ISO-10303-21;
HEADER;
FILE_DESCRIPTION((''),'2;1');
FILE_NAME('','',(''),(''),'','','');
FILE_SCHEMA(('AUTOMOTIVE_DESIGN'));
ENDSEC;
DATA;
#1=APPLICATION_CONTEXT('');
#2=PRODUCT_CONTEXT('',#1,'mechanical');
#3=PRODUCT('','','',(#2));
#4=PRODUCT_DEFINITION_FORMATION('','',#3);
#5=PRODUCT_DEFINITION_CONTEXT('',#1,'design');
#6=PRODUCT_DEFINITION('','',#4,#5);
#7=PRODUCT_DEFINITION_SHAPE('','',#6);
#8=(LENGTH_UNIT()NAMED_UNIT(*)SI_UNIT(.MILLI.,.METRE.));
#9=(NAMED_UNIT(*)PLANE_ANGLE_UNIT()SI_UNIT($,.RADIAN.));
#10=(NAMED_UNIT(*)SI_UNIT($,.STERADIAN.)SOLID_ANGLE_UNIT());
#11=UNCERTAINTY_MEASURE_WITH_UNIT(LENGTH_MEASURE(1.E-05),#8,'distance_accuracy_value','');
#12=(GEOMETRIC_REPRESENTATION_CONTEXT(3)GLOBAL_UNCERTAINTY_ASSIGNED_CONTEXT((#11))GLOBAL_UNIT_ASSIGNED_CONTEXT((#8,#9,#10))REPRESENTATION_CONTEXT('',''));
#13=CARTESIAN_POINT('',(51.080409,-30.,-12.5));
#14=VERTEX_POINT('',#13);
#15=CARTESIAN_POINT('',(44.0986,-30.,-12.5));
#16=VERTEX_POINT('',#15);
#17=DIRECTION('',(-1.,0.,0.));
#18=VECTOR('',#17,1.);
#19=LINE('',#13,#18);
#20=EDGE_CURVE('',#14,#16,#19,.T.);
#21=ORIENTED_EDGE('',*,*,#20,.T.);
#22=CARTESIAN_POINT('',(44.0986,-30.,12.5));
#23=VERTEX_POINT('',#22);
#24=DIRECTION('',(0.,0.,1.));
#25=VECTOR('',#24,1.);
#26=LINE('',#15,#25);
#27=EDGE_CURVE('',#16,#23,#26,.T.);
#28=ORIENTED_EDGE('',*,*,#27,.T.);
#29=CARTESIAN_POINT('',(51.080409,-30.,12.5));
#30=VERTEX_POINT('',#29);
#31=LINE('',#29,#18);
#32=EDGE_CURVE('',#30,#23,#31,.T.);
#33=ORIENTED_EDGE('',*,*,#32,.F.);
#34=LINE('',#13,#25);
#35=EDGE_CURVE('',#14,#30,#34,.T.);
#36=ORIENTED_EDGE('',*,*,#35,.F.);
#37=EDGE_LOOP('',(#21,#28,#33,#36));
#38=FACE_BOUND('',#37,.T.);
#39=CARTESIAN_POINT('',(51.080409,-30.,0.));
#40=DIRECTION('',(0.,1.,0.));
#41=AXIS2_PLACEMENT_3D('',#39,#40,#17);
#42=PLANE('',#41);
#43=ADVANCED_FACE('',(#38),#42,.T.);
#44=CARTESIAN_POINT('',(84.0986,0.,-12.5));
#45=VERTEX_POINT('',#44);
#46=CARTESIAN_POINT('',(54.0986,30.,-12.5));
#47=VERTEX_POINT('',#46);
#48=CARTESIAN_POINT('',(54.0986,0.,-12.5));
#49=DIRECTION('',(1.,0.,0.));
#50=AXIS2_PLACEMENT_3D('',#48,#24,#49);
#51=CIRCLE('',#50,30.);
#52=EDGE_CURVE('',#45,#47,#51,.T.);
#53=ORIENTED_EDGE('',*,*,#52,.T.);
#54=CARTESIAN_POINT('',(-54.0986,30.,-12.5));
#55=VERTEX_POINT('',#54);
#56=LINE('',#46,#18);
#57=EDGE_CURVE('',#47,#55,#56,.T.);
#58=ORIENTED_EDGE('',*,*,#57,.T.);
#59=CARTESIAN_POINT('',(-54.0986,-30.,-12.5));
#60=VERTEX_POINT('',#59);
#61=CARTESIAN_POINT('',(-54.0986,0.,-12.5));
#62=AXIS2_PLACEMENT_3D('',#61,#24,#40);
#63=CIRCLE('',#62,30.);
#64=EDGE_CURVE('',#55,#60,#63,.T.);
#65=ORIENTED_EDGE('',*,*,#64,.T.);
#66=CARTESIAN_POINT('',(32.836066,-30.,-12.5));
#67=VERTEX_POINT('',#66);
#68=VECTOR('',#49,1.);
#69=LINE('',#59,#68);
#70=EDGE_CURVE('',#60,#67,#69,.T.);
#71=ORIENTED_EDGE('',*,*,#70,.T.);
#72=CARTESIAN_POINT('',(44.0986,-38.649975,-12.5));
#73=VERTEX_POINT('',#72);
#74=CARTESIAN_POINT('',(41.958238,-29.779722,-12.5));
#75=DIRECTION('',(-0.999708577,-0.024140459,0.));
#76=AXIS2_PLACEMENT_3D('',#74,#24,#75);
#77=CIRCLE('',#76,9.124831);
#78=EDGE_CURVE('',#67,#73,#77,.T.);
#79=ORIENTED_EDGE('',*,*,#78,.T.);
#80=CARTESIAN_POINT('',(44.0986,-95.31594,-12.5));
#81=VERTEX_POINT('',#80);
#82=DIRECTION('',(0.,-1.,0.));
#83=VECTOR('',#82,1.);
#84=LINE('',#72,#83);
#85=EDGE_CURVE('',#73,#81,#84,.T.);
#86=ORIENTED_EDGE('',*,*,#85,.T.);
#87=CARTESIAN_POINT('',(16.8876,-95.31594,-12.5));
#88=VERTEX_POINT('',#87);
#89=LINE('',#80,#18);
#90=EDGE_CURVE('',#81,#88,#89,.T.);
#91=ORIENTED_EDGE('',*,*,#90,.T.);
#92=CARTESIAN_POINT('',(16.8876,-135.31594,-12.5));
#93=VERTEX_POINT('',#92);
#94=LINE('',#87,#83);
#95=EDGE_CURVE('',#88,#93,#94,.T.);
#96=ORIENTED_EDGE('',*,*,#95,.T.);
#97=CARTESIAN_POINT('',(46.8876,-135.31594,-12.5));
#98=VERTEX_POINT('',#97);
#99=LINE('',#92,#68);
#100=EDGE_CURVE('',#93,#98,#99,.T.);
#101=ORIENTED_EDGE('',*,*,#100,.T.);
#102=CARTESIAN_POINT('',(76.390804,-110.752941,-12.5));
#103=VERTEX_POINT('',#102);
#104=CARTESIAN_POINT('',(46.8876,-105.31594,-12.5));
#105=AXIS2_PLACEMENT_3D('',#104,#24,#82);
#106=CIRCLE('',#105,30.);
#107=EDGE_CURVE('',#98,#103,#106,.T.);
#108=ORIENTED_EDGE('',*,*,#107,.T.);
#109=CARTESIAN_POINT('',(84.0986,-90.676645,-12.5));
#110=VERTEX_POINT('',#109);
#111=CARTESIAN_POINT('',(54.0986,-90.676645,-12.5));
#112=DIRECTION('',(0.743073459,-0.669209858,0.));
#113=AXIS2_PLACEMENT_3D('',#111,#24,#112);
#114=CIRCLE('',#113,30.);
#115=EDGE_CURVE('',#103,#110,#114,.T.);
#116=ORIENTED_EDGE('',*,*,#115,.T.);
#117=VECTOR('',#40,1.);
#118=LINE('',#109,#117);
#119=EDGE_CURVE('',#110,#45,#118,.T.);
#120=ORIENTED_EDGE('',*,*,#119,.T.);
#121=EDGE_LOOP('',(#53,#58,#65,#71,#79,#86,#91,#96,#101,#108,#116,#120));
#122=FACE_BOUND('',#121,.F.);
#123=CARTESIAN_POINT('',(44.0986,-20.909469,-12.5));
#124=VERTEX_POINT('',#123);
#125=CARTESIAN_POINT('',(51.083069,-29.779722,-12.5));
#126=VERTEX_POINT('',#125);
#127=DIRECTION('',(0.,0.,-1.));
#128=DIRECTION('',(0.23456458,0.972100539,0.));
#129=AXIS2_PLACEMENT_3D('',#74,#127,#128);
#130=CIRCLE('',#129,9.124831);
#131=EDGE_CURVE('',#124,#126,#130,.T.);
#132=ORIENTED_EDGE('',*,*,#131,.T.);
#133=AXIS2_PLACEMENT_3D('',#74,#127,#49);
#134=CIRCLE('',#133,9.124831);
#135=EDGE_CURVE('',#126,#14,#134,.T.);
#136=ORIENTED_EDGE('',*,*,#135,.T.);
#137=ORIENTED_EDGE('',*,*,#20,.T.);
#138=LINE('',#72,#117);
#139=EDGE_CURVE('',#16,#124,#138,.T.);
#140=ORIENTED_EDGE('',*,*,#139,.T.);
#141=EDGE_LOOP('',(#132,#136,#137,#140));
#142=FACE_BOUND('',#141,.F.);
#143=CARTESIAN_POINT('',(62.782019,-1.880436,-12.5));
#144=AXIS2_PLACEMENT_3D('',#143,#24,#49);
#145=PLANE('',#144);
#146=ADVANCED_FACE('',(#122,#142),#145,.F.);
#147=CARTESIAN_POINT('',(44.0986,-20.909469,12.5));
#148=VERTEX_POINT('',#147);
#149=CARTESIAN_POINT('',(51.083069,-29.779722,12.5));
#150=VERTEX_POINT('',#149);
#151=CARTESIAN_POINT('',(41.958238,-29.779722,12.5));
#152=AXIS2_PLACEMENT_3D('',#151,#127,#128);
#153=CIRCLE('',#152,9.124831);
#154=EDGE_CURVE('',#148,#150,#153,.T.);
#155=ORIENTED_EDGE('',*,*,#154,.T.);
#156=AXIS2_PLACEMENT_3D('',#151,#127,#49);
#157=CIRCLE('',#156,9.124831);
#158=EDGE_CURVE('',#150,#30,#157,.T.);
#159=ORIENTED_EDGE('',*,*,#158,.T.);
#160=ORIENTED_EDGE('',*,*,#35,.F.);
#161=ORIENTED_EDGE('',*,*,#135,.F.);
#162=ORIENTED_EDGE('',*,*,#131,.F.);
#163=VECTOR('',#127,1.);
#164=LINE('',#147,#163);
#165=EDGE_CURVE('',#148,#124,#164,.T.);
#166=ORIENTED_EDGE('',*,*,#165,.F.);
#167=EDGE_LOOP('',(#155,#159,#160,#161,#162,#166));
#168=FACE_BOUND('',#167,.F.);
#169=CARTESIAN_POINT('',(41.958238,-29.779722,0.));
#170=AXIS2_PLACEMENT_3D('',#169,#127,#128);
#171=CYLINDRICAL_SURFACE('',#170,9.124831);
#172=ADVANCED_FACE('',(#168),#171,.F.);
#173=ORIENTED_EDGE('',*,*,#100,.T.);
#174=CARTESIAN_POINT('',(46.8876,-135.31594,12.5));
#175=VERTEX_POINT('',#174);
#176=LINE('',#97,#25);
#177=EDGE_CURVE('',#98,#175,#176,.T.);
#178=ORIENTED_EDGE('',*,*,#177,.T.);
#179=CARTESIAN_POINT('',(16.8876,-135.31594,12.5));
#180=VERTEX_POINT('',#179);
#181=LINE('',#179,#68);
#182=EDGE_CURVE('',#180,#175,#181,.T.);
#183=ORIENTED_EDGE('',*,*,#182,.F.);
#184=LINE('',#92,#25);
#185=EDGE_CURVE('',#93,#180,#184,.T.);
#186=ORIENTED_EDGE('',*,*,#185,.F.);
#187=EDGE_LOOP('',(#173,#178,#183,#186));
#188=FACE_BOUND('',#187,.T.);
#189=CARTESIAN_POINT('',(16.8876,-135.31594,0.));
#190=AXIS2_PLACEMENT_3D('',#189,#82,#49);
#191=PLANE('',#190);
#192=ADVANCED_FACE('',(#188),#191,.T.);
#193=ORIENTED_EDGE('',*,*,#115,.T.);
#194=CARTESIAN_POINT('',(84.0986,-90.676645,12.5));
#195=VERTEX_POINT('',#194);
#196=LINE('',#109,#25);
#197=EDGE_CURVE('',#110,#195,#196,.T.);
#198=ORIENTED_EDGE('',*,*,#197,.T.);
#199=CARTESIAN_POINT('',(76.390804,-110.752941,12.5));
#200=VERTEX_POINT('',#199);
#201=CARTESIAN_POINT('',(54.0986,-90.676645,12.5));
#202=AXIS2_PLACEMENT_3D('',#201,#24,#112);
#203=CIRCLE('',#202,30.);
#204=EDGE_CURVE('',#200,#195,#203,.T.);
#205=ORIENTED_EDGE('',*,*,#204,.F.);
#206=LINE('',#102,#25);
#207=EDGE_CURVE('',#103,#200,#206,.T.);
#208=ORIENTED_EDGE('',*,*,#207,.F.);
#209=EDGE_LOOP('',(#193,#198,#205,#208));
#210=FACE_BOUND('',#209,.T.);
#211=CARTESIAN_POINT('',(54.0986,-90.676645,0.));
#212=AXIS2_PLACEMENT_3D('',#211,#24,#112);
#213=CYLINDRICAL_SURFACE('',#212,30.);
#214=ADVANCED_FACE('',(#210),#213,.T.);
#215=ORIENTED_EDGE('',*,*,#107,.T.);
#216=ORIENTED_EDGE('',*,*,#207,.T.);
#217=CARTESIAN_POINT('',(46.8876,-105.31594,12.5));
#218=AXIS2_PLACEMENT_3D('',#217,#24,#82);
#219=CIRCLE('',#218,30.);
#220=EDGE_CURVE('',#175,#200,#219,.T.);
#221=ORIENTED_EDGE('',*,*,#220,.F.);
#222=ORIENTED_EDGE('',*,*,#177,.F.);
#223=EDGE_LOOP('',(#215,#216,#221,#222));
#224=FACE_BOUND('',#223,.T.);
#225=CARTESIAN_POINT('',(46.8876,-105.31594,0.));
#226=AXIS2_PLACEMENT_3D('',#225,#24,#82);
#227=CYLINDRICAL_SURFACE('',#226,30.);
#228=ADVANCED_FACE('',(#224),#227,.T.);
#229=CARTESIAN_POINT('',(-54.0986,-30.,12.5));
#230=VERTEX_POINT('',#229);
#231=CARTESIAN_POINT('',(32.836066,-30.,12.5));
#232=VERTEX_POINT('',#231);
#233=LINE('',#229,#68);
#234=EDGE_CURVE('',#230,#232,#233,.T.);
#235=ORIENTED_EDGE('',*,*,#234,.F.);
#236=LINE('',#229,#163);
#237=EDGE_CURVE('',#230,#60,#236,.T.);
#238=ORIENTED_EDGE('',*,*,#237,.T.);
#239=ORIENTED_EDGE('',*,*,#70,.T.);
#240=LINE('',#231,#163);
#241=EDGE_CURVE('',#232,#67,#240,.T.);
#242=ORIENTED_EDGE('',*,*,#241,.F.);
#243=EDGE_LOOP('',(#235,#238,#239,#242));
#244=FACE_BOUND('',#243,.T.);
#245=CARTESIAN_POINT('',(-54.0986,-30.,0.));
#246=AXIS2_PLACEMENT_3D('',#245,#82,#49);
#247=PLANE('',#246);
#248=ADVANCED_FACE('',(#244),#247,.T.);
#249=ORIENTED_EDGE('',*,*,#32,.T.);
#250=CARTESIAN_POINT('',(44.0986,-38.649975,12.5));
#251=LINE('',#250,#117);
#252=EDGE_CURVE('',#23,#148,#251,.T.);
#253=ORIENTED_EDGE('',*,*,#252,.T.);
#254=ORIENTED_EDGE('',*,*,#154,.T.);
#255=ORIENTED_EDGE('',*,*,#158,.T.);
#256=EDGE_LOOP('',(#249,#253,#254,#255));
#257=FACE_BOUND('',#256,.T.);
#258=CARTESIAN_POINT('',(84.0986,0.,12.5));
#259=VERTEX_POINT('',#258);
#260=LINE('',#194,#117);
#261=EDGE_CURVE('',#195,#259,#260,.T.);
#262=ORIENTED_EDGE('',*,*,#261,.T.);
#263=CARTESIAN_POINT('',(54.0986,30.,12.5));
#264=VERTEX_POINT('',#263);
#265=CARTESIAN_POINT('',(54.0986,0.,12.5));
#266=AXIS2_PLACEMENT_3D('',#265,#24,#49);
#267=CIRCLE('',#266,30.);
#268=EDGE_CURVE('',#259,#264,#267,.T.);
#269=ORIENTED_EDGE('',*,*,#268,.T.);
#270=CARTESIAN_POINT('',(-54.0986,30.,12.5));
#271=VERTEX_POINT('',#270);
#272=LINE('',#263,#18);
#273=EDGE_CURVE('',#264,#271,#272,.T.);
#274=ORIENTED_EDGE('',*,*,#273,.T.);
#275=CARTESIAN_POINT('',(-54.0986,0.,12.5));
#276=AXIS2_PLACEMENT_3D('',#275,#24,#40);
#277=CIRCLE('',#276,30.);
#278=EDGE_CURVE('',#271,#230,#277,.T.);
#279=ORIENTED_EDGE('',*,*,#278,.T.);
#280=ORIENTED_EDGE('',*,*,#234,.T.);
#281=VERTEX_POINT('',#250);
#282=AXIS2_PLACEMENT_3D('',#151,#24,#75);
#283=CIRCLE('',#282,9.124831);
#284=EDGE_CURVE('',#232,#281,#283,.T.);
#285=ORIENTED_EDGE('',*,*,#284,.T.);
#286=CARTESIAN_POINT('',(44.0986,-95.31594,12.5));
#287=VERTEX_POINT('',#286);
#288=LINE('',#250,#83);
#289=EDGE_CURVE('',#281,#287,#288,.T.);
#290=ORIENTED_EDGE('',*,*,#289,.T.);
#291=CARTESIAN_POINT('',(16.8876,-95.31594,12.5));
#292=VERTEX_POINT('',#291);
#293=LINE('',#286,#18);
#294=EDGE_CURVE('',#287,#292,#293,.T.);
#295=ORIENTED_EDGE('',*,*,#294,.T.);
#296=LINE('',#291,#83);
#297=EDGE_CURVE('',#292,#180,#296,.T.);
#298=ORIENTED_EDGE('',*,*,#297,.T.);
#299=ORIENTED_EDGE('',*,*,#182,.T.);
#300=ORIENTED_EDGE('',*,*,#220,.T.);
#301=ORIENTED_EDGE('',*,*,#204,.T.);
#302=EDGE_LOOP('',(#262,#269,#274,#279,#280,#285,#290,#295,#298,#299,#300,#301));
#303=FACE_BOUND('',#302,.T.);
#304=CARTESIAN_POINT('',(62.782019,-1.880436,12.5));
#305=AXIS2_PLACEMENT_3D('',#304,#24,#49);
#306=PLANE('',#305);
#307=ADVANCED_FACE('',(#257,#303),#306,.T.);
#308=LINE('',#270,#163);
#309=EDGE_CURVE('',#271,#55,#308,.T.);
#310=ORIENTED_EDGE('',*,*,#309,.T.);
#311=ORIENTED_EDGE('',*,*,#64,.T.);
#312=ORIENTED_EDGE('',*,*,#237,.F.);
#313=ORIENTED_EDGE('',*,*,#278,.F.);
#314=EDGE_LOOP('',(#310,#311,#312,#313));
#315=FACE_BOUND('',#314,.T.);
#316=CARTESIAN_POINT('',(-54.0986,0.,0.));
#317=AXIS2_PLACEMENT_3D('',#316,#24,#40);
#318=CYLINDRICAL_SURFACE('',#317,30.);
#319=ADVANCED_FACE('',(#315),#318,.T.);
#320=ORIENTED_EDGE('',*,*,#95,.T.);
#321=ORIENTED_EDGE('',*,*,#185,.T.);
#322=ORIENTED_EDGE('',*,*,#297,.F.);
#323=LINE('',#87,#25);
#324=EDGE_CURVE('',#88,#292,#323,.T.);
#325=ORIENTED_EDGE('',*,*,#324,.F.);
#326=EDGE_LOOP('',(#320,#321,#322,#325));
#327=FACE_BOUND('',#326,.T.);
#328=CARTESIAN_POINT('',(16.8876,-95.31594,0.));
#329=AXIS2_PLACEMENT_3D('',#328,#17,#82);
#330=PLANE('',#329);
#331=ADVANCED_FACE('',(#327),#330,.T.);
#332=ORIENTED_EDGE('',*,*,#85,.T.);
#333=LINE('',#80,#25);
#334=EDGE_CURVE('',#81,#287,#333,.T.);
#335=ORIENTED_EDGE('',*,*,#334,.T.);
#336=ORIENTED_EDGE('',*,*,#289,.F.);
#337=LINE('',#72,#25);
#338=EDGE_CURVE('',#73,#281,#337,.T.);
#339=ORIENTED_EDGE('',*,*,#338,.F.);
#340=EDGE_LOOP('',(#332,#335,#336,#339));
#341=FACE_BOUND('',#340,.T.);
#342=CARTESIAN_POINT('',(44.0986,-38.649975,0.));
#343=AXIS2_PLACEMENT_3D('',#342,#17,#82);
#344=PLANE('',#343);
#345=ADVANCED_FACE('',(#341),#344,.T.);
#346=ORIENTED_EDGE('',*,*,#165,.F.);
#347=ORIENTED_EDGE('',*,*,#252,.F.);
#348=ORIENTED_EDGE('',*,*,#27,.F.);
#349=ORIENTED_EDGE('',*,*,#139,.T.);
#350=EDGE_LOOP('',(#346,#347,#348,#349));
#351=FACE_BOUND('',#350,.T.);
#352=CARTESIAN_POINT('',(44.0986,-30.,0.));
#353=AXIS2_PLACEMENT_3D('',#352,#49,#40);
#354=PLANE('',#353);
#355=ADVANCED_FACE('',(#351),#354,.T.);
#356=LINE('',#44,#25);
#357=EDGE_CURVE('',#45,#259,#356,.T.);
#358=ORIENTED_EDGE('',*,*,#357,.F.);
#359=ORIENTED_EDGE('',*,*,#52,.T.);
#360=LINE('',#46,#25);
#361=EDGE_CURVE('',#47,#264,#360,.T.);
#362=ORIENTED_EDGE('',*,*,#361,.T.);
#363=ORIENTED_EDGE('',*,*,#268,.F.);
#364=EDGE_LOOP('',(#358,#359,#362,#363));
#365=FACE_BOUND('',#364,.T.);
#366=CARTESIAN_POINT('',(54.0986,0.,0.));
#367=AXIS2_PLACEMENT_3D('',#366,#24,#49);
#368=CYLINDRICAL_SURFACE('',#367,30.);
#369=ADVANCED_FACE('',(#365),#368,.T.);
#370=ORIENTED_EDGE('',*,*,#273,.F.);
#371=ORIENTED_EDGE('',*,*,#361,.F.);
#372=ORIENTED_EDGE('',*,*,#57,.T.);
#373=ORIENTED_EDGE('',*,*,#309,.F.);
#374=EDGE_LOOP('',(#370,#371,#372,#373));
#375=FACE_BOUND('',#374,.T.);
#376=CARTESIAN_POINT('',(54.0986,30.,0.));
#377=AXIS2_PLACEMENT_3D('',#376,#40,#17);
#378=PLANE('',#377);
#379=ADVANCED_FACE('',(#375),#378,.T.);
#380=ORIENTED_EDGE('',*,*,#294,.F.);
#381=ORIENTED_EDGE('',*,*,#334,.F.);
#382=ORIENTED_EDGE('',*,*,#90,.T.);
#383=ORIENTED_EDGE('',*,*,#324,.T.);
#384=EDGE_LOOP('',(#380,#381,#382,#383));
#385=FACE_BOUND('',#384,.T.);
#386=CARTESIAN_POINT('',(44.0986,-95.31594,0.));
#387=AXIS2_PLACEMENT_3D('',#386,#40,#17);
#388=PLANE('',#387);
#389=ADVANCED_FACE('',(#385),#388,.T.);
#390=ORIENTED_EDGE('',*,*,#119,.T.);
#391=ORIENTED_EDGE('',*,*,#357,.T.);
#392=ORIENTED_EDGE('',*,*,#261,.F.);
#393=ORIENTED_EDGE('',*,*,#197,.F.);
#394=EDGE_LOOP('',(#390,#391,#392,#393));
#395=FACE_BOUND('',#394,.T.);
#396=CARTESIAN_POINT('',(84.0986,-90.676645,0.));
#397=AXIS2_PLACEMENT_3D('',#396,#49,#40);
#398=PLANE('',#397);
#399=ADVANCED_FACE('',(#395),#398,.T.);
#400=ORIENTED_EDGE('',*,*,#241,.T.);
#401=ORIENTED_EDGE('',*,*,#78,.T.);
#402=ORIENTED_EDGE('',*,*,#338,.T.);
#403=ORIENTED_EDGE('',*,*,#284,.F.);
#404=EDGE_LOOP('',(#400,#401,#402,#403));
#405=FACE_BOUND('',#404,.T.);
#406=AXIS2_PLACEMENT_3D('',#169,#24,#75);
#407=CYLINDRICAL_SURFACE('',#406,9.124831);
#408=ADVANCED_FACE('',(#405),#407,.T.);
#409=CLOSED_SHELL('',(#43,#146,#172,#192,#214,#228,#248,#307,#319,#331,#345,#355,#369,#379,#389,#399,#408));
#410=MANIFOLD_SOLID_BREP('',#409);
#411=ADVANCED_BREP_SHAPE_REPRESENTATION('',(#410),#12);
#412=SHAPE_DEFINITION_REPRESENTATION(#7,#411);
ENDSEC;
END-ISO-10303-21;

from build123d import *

# Parameters (mm, degrees)
F1_DEPTH = 12.5


with BuildPart() as f1:
    # F0 (on Top) → F1 (new body, symmetric)
    with BuildSketch(Plane.XY):
        with BuildLine():
            ThreePointArc((84.0985998511, 0), (75.3118032867, 21.2132034356), (54.0985998511, 30))
            Line((54.0985998511, 30), (44.0985998511, 30))
            Line((44.0985998511, 30), (44.0985998511, -20.9094693613))
            ThreePointArc((44.0985998511, -20.9094693613), (49.1273723115, -24.1347203376), (51.0830686261, -29.7797223964))
            ThreePointArc((51.0830686261, -29.7797223964), (51.0824038047, -29.8898692234), (51.0804094374, -30))
            Line((51.0804094374, -30), (84.0985998511, -30))
            Line((84.0985998511, -30), (84.0985998511, 0))
        make_face()
        with BuildLine():
            Line((44.0985998511, -20.9094693613), (44.0985998511, 30))
            Line((44.0985998511, 30), (-54.0985998511, 30))
            ThreePointArc((-54.0985998511, 30), (-75.3118032867, 21.2132034356), (-84.0985998511, 0))
            ThreePointArc((-84.0985998511, 0), (-75.3118032867, -21.2132034356), (-54.0985998511, -30))
            Line((-54.0985998511, -30), (32.8360660177, -30))
            ThreePointArc((32.8360660177, -30), (36.2271075512, -22.679251579), (44.0985998511, -20.9094693613))
        make_face()
        with BuildLine():
            Line((44.0985998511, -30), (44.0985998511, -20.9094693613))
            ThreePointArc((44.0985998511, -20.9094693613), (36.2271075512, -22.679251579), (32.8360660177, -30))
            Line((32.8360660177, -30), (44.0985998511, -30))
        make_face()
        with BuildLine():
            Line((84.0985998511, -90.6766453385), (84.0985998511, -30))
            Line((84.0985998511, -30), (51.0804094374, -30))
            ThreePointArc((51.0804094374, -30), (49.058708545, -35.5108525728), (44.0985998511, -38.6499754316))
            Line((44.0985998511, -38.6499754316), (44.0985998511, -95.3159397841))
            Line((44.0985998511, -95.3159397841), (76.8876001239, -95.3159397841))
            Line((76.8876001239, -95.3159397841), (76.8876001239, -105.315939784))
            ThreePointArc((76.8876001239, -105.315939784), (76.763142839, -108.0457653235), (76.3908036255, -110.7529410846))
            ThreePointArc((76.3908036255, -110.7529410846), (82.1054393125, -101.4291772908), (84.0985998511, -90.6766453385))
        make_face()
        with BuildLine():
            Line((44.0985998511, -38.6499754316), (44.0985998511, -30))
            Line((44.0985998511, -30), (32.8360660177, -30))
            ThreePointArc((32.8360660177, -30), (36.4001863589, -37.0164760824), (44.0985998511, -38.6499754316))
        make_face()
        with BuildLine():
            Line((51.0804094374, -30), (44.0985998511, -30))
            Line((44.0985998511, -30), (44.0985998511, -38.6499754316))
            ThreePointArc((44.0985998511, -38.6499754316), (49.058708545, -35.5108525728), (51.0804094374, -30))
        make_face()
        with BuildLine():
            ThreePointArc((46.8876001239, -135.315939784), (66.082520819, -128.3714167799), (76.3908036255, -110.7529410846))
            ThreePointArc((76.3908036255, -110.7529410846), (66.2992376955, -118.0836596996), (54.0985998511, -120.6766453385))
            Line((54.0985998511, -120.6766453385), (44.0985998511, -120.6766453385))
            Line((44.0985998511, -120.6766453385), (44.0985998511, -95.3159397841))
            Line((44.0985998511, -95.3159397841), (16.8876001239, -95.3159397841))
            Line((16.8876001239, -95.315939784), (16.8876001239, -135.315939784))
            Line((16.8876001239, -135.315939784), (46.8876001239, -135.315939784))
        make_face()
        with BuildLine():
            ThreePointArc((54.0985998511, -120.6766453385), (66.2992376955, -118.0836596996), (76.3908036255, -110.7529410846))
            ThreePointArc((76.3908036255, -110.7529410846), (76.763142839, -108.0457653235), (76.8876001239, -105.315939784))
            Line((76.8876001239, -105.315939784), (76.8876001239, -95.3159397841))
            Line((76.8876001239, -95.3159397841), (44.0985998511, -95.3159397841))
            Line((44.0985998511, -95.3159397841), (44.0985998511, -120.6766453385))
            Line((44.0985998511, -120.6766453385), (54.0985998511, -120.6766453385))
        make_face()
    extrude(amount=F1_DEPTH, both=True)


solid = f1.part
